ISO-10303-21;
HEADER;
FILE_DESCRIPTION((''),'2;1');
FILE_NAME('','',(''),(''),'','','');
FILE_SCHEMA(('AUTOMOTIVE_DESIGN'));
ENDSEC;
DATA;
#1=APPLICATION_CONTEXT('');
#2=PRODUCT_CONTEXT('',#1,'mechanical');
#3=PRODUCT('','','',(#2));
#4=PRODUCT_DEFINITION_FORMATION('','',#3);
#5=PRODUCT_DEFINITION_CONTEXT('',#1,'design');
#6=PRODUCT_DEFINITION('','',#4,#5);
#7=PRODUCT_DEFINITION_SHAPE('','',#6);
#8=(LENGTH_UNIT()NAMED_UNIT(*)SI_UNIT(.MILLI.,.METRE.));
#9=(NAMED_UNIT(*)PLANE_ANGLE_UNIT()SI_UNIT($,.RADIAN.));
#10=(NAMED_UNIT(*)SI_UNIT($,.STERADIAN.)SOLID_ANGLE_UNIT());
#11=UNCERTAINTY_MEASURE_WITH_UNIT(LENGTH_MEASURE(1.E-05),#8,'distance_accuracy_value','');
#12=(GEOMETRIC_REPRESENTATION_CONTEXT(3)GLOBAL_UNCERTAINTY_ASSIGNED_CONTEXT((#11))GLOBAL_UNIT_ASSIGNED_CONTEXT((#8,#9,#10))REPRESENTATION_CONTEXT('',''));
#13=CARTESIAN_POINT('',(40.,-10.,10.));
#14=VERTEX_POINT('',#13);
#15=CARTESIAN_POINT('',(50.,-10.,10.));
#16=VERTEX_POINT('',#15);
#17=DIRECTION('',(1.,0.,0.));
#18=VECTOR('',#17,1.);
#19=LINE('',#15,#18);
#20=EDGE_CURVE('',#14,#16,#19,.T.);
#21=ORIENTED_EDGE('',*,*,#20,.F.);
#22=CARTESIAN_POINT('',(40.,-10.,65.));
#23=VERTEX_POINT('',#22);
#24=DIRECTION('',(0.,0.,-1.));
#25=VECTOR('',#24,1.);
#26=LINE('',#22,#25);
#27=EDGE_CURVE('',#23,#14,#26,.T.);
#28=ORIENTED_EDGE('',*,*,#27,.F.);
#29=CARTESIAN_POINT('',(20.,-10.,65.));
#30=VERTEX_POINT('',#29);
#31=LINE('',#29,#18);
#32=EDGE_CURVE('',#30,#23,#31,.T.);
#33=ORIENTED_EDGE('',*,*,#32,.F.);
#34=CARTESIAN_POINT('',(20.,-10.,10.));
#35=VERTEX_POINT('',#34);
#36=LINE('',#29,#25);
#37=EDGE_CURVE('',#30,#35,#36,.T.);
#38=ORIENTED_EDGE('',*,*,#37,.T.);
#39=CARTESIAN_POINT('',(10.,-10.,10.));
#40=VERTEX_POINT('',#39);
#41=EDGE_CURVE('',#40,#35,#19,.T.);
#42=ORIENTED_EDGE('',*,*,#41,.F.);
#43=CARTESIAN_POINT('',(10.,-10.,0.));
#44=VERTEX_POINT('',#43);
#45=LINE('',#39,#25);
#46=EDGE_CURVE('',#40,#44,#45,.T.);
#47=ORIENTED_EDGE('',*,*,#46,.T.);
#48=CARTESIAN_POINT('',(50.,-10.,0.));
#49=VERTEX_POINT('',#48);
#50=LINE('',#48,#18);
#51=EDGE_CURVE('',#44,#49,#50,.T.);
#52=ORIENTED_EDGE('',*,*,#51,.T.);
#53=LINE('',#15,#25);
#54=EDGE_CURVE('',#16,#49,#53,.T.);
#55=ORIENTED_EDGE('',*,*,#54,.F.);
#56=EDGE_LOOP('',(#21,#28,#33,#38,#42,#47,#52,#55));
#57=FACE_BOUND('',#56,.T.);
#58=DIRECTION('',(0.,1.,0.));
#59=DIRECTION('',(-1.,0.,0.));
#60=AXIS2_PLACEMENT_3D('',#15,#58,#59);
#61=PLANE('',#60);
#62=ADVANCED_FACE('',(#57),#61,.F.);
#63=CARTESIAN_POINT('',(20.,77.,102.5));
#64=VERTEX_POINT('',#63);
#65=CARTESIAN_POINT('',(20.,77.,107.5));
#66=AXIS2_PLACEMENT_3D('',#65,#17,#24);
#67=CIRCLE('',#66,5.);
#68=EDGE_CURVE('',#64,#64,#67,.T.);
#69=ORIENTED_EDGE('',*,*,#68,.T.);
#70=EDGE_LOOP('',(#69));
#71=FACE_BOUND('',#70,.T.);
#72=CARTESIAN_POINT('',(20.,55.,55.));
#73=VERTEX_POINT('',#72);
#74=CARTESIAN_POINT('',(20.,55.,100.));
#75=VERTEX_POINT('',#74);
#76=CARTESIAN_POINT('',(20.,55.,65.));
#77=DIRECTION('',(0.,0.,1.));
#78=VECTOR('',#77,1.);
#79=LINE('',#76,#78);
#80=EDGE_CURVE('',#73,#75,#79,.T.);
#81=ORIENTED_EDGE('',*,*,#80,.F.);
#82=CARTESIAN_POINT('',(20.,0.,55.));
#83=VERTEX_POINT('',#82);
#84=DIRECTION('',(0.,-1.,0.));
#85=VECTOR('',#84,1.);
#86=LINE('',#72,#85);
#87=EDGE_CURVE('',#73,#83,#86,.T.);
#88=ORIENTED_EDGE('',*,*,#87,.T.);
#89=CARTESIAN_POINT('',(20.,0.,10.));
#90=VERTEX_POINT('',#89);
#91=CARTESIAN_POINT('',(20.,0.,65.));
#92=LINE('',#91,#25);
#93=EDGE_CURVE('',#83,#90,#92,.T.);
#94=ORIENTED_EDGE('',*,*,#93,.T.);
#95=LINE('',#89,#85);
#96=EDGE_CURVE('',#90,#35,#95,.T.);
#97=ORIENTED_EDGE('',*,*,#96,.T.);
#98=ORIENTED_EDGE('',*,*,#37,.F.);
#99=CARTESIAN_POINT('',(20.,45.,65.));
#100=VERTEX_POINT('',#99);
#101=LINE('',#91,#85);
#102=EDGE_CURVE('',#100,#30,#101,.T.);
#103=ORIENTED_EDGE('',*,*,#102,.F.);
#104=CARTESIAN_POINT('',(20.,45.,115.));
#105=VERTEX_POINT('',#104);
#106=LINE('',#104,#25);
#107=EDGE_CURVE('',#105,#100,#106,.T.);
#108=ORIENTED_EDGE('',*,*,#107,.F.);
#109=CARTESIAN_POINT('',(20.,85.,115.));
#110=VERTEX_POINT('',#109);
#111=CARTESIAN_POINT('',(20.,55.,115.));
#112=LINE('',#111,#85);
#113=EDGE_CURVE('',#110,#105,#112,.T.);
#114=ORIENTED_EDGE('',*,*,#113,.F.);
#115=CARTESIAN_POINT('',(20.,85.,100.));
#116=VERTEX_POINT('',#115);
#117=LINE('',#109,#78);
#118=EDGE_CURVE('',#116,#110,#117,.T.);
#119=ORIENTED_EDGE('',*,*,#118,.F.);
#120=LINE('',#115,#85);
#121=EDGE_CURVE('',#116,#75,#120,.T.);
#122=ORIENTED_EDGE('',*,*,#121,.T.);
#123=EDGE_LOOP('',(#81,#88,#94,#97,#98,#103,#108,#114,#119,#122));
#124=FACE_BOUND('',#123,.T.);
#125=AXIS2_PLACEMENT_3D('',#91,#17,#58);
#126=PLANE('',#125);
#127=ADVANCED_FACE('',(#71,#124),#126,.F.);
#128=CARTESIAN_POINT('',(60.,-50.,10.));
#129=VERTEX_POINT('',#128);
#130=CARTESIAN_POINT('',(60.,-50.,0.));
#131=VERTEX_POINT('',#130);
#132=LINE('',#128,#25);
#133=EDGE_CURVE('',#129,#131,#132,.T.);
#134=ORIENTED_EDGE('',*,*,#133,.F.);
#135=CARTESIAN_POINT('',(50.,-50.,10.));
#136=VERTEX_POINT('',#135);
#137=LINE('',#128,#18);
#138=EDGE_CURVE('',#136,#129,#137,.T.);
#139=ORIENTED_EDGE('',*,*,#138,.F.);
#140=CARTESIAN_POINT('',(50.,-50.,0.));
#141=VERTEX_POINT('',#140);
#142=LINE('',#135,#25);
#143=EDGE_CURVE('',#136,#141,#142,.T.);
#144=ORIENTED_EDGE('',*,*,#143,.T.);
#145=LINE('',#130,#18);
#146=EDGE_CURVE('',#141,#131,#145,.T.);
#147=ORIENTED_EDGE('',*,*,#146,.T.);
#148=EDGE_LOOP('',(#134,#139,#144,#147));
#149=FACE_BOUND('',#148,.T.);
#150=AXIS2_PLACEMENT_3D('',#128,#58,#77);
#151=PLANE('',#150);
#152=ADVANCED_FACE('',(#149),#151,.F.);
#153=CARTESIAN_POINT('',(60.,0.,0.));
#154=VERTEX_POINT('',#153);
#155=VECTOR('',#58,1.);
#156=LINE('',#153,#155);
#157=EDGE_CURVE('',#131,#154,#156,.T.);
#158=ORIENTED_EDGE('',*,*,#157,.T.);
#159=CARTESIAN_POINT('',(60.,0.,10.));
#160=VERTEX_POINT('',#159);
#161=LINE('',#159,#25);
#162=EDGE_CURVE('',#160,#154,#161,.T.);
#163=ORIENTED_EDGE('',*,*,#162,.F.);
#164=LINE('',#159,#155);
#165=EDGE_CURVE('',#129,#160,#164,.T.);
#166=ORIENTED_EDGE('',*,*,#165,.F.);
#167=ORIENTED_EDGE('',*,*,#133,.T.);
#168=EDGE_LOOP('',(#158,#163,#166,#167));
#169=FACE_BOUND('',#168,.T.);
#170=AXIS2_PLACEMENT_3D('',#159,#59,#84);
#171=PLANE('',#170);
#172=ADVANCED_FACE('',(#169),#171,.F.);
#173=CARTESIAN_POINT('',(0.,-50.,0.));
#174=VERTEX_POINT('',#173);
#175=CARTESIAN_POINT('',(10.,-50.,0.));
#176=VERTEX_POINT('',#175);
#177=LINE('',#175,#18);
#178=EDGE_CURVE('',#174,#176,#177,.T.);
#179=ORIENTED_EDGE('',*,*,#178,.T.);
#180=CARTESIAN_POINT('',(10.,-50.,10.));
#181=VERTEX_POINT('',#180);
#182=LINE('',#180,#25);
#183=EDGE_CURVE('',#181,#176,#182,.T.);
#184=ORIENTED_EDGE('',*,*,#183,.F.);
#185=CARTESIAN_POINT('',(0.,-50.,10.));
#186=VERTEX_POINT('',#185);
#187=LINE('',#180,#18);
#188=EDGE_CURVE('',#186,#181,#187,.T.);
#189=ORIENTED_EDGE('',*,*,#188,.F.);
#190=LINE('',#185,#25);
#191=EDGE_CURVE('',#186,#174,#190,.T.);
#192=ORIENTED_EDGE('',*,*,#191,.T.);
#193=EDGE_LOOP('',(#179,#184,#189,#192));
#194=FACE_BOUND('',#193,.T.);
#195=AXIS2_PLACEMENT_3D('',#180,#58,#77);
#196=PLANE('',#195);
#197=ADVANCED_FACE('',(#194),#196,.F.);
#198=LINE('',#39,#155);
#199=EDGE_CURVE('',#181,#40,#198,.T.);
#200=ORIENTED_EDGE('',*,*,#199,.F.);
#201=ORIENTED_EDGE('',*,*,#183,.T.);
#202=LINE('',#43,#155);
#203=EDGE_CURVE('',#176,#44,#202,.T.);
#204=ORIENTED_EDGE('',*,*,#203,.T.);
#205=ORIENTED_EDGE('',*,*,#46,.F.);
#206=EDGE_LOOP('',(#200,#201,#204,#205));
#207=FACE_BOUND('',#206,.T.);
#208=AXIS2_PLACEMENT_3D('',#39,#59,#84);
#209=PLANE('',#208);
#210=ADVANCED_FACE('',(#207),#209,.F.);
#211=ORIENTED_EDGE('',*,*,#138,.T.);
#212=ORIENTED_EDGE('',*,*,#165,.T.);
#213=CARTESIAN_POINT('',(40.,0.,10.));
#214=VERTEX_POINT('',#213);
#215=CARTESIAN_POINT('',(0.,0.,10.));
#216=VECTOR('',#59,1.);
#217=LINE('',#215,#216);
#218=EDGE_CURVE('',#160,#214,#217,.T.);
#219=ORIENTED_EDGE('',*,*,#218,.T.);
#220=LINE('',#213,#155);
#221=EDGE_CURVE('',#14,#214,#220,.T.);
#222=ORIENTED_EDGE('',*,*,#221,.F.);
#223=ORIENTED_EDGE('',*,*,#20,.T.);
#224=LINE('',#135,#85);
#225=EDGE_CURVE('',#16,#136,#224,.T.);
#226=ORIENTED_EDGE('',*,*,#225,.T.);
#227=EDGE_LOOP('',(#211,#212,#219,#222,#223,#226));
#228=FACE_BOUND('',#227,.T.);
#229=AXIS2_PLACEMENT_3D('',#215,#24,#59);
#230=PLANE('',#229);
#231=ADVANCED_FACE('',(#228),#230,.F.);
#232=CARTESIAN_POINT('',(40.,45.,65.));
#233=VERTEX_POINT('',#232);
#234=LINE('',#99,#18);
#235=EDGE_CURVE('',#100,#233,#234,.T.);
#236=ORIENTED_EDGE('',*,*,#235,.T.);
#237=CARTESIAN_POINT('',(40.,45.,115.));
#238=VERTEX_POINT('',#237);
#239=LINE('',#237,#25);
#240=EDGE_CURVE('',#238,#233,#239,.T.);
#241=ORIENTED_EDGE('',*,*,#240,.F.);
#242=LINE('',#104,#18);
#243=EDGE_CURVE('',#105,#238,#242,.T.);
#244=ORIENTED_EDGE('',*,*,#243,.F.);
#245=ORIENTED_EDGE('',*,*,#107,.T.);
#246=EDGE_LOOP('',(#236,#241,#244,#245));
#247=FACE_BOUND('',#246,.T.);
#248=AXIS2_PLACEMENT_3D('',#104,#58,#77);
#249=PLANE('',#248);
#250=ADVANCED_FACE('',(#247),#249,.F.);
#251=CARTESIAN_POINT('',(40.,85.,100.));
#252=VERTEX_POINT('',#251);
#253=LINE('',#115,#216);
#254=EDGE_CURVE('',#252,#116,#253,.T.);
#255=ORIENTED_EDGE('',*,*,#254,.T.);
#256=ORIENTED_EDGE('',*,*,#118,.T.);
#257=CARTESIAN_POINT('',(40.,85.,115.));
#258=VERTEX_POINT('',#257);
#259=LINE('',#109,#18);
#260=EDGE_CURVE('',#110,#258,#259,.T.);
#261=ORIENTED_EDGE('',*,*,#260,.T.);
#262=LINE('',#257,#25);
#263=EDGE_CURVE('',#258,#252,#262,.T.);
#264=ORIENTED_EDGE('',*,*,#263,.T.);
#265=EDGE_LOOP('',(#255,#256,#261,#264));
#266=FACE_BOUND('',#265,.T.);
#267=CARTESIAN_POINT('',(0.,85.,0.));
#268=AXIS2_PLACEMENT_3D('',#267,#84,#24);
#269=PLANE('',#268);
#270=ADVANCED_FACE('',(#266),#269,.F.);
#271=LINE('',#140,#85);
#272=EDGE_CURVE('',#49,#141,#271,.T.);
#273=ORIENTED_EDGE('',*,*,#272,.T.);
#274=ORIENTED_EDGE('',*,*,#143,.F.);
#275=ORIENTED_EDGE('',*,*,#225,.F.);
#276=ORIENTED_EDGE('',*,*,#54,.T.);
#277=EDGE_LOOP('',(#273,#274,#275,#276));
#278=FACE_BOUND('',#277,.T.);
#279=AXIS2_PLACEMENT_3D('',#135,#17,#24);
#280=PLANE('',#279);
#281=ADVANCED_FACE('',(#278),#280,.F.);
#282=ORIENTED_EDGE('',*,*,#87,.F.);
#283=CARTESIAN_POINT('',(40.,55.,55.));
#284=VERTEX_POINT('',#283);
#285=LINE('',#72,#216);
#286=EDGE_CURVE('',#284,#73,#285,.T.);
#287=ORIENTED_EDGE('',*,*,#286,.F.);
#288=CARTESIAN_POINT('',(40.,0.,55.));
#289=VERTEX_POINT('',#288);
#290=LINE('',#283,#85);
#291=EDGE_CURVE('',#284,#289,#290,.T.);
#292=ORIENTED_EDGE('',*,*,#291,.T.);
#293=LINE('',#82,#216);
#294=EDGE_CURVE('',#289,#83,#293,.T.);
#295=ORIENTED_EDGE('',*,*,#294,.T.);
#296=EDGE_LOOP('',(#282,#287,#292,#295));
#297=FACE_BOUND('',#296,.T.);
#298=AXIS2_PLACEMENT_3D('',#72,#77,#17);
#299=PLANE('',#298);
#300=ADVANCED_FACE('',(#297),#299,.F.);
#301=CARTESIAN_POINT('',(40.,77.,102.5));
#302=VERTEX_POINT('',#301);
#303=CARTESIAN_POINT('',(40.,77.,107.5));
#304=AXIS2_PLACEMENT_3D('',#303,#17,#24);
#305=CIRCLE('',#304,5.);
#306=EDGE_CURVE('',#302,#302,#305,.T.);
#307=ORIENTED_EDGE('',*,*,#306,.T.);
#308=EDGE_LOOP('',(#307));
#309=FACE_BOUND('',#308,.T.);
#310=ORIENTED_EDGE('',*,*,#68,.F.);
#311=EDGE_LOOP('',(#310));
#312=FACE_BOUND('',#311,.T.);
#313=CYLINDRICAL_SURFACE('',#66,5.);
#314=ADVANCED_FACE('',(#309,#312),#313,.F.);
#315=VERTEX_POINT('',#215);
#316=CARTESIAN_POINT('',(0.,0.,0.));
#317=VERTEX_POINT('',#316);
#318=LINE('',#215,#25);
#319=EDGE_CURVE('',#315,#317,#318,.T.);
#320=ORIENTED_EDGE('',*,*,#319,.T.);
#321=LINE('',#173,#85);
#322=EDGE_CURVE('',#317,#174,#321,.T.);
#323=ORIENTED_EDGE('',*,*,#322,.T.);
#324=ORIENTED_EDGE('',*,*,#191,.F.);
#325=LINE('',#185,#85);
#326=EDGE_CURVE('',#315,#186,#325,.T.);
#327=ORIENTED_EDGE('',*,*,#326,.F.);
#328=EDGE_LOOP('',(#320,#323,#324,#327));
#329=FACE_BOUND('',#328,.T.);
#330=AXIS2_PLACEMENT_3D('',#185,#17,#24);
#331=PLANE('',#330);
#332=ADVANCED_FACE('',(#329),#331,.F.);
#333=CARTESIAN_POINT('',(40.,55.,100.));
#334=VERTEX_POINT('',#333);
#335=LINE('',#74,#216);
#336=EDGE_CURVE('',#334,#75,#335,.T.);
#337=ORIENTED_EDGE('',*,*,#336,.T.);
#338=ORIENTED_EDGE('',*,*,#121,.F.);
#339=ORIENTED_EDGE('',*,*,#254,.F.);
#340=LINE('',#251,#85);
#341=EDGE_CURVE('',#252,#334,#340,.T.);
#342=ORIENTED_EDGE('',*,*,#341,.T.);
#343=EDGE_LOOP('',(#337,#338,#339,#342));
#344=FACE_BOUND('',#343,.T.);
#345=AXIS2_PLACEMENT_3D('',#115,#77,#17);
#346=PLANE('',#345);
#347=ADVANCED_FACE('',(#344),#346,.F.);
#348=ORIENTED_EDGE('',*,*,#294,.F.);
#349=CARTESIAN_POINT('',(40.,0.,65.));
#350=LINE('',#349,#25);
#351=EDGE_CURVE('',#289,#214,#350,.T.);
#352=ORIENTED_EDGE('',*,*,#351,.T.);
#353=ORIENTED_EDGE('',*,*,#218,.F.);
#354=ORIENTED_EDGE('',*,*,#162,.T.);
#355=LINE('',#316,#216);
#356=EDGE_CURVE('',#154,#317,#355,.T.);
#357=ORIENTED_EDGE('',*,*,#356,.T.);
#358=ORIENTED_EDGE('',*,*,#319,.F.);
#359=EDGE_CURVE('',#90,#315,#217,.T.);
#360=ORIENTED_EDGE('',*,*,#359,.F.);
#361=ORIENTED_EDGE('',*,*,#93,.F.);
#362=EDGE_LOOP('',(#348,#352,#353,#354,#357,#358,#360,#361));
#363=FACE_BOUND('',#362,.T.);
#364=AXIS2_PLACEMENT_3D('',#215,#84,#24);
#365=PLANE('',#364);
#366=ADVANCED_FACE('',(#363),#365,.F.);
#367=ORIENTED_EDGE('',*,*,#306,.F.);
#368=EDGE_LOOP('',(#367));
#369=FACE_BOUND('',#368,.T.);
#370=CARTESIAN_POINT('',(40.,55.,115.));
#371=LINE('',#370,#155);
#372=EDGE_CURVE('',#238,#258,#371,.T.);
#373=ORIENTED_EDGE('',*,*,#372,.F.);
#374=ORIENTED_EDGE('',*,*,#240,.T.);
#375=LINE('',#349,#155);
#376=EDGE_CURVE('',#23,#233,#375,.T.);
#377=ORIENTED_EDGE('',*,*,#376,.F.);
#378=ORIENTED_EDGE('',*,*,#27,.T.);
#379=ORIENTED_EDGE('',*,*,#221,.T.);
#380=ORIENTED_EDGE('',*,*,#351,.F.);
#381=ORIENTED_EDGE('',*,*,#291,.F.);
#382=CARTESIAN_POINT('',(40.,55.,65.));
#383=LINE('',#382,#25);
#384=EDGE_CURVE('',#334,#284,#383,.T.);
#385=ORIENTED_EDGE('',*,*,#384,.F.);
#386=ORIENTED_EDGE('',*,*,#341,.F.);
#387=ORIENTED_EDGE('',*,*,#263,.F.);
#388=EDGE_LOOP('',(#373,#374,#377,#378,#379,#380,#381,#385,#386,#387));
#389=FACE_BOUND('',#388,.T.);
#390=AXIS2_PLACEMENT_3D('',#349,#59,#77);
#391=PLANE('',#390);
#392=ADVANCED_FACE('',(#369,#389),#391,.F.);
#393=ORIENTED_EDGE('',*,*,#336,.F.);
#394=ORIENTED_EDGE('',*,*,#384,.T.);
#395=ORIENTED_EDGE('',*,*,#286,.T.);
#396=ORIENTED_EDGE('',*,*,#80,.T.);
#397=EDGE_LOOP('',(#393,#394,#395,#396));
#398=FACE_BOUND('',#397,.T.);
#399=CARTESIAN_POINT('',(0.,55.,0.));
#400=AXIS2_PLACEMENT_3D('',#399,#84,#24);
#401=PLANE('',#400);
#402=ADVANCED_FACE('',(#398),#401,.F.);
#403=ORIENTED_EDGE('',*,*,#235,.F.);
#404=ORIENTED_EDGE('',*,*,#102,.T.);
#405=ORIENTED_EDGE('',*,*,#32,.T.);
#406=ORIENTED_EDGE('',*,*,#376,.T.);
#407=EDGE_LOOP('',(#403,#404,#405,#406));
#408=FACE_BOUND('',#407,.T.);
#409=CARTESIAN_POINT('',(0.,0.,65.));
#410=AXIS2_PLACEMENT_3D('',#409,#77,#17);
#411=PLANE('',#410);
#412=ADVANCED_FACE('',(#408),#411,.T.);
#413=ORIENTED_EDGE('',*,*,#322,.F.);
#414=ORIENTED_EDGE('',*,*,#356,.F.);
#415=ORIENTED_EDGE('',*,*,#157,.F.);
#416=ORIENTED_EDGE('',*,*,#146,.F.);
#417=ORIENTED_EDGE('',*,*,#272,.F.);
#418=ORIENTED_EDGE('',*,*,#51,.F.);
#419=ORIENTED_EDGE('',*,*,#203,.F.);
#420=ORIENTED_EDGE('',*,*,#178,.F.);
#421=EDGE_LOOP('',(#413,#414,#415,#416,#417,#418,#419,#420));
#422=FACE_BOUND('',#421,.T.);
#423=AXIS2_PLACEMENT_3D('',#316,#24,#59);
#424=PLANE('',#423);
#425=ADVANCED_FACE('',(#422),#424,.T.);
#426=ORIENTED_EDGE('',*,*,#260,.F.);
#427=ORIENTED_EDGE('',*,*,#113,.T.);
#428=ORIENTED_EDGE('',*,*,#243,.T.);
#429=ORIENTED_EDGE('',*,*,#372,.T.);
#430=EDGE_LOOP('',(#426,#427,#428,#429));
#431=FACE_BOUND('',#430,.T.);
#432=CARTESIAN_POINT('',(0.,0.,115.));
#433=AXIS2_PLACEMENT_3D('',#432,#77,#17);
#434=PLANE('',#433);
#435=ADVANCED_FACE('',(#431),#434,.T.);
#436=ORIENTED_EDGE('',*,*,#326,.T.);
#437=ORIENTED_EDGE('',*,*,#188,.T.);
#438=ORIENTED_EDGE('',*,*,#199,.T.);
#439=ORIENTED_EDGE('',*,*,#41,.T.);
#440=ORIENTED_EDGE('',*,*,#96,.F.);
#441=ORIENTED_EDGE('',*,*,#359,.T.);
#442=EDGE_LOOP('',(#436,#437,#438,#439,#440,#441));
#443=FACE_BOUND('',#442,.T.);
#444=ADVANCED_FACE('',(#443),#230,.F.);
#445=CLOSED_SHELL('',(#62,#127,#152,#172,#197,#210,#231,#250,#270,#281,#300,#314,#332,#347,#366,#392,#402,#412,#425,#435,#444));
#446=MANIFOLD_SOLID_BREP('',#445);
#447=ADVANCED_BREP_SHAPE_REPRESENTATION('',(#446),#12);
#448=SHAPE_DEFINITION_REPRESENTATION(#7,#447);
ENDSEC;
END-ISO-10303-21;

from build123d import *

# Parameters (mm, degrees)
P_IDAT_VYSUNUT_M1_DEPTH  = 10
SKICA2_W                 = 20
SKICA2_H                 = 10
P_IDAT_VYSUNUT_M2_DEPTH  = 55
SKICA4_W                 = 20
SKICA4_H                 = 10
P_IDAT_VYSUNUT_M3_DEPTH  = 55
SKICA5_W                 = 20
SKICA5_H                 = 10
P_IDAT_VYSUNUT_M4_DEPTH  = 50
SKICA6_W                 = 20
SKICA6_H                 = 15
P_IDAT_VYSUNUT_M5_DEPTH  = 30
SKICA7_R                 = 5
ODEBRAT_VYSUNUT_M1_DEPTH = 20


with BuildPart() as part:
    # Skica1 → Přidat vysunutím1 (new body)
    with BuildSketch(Plane.XY):
        Polygon((0, 0), (60, 0), (60, -50), (50, -50), (50, -10), (10, -10), (10, -50), (0, -50), align=None)
    extrude(amount=P_IDAT_VYSUNUT_M1_DEPTH)

    # Skica2 → Přidat vysunutím2 (add)
    with BuildSketch(Plane.XY.offset(10)):
        with Locations((30, -5)):
            Rectangle(SKICA2_W, SKICA2_H)
    extrude(amount=P_IDAT_VYSUNUT_M2_DEPTH)

    # Skica4 → Přidat vysunutím3 (add)
    with BuildSketch(Plane(origin=(0, 0, 0), x_dir=(1, 0, 0), z_dir=(0, 1, 0))):
        with Locations((30, -60)):
            Rectangle(SKICA4_W, SKICA4_H)
    extrude(amount=P_IDAT_VYSUNUT_M3_DEPTH)

    # Skica5 → Přidat vysunutím4 (add)
    with BuildSketch(Plane.XY.offset(65)):
        with Locations((30, 50)):
            Rectangle(SKICA5_W, SKICA5_H)
    extrude(amount=P_IDAT_VYSUNUT_M4_DEPTH)

    # Skica6 → Přidat vysunutím5 (add)
    with BuildSketch(Plane(origin=(0, 55, 0), x_dir=(1, 0, 0), z_dir=(0, 1, 0))):
        with Locations((30, -107.5)):
            Rectangle(SKICA6_W, SKICA6_H)
    extrude(amount=P_IDAT_VYSUNUT_M5_DEPTH)

    # Skica7 → Odebrat vysunutím1 (cut)
    with BuildSketch(Plane(origin=(40, 0, 0), x_dir=(0, 0, -1), z_dir=(1, 0, 0))):
        with Locations((-107.5, 77)):
            Circle(SKICA7_R)
    extrude(amount=-ODEBRAT_VYSUNUT_M1_DEPTH, mode=Mode.SUBTRACT)


solid = part.part
